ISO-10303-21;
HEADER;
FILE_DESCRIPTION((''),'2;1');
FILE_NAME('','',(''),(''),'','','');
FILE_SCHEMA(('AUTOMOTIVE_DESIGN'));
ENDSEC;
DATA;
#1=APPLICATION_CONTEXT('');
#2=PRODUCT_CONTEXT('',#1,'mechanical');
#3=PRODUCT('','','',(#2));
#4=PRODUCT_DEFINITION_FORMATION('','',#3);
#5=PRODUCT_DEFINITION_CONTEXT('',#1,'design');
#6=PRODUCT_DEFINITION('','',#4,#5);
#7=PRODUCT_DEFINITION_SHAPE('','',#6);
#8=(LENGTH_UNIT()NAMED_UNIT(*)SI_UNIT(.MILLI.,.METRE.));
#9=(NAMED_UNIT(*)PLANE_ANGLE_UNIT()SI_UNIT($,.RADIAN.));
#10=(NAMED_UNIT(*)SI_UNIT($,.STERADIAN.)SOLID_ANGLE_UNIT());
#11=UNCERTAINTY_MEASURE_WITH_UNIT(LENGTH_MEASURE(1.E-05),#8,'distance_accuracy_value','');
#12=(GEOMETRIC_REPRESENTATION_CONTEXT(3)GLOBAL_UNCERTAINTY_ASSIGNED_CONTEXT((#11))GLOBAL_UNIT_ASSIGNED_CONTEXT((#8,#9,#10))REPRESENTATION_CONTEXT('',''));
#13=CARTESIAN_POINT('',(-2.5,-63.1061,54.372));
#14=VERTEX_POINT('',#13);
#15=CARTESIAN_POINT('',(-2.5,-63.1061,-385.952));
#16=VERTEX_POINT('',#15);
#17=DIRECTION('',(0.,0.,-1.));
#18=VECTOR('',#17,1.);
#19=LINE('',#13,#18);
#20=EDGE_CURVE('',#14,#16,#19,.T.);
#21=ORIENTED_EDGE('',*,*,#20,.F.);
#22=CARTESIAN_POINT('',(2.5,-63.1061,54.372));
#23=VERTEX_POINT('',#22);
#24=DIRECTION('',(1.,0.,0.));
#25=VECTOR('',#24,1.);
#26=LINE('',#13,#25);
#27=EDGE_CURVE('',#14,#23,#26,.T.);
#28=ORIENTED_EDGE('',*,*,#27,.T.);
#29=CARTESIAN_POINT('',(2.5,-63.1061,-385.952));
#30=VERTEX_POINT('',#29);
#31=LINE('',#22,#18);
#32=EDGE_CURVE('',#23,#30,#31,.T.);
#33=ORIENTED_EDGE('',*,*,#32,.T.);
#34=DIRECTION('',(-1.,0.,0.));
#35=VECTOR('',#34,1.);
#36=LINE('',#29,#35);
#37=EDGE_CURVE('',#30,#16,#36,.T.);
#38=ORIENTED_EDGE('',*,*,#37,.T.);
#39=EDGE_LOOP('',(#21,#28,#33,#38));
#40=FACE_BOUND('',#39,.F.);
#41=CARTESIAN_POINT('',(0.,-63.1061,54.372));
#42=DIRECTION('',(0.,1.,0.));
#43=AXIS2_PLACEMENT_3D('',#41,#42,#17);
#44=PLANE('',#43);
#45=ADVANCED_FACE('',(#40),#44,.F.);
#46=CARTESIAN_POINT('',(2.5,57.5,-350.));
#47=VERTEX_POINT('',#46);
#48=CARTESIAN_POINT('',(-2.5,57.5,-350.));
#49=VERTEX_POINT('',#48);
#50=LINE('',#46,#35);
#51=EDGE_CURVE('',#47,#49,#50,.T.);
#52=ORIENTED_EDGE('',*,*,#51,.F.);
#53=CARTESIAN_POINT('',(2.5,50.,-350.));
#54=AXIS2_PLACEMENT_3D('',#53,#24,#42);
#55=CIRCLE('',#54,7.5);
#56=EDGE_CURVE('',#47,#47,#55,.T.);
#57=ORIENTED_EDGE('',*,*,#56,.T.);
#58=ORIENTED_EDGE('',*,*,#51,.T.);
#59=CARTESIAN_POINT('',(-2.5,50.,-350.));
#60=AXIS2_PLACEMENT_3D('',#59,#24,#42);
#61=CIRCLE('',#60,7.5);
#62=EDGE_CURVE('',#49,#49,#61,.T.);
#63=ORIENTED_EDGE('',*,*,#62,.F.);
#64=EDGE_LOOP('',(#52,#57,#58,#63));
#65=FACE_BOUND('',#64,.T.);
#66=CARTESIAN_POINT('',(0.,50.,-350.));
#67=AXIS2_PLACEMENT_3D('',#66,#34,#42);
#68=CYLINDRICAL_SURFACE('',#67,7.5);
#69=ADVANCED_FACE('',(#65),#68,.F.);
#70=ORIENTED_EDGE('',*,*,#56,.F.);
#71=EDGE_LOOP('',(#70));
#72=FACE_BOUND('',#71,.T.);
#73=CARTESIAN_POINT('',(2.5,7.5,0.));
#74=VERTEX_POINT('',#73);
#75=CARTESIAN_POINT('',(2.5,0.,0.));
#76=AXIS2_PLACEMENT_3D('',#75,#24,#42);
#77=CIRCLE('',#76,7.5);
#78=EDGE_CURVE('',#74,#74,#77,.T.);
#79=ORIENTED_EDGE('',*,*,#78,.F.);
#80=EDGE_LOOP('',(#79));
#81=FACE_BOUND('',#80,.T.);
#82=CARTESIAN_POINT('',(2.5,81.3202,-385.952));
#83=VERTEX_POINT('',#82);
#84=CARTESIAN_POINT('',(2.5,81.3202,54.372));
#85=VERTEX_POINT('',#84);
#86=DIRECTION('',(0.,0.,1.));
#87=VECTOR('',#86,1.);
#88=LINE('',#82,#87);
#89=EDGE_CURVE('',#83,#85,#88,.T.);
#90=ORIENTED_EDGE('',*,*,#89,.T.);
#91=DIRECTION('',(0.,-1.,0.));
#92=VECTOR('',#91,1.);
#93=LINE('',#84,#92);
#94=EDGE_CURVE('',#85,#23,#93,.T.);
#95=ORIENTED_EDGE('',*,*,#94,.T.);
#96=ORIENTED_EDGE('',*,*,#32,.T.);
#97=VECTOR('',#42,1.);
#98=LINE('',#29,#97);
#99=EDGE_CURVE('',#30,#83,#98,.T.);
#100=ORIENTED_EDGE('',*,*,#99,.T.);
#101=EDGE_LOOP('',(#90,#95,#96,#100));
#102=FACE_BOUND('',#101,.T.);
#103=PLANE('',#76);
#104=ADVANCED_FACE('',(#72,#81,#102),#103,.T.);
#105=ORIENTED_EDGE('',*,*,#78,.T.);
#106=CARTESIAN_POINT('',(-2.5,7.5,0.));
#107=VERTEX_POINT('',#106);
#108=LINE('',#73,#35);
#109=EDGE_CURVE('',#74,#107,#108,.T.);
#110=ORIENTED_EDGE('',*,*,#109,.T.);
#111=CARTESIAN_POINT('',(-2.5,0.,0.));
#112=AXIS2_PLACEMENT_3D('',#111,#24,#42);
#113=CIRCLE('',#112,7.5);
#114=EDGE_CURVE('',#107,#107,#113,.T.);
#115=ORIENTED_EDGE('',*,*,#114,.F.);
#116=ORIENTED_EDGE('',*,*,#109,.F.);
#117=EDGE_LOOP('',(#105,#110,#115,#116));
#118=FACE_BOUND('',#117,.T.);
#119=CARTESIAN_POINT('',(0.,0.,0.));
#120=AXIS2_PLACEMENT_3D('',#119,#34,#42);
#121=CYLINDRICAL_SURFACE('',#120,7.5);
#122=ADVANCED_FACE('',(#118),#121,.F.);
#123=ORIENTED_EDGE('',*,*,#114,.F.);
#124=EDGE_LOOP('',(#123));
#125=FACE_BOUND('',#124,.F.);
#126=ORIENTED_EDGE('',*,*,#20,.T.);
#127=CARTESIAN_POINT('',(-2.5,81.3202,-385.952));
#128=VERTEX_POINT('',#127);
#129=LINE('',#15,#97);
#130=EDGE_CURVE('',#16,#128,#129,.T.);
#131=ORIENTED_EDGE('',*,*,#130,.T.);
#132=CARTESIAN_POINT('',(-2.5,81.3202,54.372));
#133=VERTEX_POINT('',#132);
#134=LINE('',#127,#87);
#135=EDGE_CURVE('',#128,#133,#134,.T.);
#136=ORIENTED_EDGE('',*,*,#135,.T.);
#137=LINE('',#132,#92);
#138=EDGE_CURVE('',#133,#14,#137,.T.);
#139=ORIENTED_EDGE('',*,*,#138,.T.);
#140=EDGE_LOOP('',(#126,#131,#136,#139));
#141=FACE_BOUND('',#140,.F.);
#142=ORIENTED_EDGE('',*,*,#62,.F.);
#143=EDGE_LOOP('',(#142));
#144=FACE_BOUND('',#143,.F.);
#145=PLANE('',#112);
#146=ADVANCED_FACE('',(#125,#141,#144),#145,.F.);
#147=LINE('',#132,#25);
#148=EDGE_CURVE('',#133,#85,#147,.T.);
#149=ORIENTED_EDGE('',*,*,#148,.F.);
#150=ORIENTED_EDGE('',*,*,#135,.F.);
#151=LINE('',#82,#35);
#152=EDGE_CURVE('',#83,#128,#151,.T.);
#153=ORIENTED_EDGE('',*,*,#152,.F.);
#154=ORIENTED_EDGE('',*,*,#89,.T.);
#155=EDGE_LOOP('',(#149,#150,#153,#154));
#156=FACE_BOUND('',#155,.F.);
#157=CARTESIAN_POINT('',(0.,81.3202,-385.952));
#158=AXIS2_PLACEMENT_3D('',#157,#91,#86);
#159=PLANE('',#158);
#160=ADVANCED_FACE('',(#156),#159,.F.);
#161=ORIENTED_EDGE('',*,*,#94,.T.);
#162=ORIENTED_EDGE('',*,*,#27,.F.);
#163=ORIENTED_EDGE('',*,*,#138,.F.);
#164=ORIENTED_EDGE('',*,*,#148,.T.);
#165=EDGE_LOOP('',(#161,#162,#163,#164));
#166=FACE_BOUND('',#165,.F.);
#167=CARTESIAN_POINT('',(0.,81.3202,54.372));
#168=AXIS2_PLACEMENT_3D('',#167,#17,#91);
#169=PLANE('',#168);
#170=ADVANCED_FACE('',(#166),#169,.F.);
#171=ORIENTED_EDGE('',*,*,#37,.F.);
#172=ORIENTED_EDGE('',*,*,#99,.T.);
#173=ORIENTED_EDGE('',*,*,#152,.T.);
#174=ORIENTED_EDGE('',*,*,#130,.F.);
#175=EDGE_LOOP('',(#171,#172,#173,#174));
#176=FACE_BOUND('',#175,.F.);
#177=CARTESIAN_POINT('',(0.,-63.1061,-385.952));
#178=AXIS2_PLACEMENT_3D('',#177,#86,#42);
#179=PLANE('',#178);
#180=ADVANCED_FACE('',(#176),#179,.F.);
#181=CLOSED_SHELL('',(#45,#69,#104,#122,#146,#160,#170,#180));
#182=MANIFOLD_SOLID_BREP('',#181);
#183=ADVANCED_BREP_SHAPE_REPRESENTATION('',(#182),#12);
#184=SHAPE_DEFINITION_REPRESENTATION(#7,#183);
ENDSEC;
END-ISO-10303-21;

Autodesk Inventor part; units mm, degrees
ref_plane "YZ Plane" through (0, 0, 0) normal (1, 0, 0) x (0, 1, 0)
ref_plane "XZ Plane" through (0, 0, 0) normal (0, 1, 0) x (-1, 0, 0)
ref_plane "XY Plane" through (0, 0, 0) normal (0, 0, 1) x (1, 0, 0)
sketch "スケッチ1" plane through (0, 0, 0) normal (1, 0, 0) x (0, 1, 0)
  circle A0 centre (0, 0) radius 7.5
  circle A1 centre (50, -350) radius 7.5
  line L0 (81.3202, 54.372) -> (-63.1061, 54.372)
  line L1 (-63.1061, 54.372) -> (-63.1061, -385.952)
  line L2 (-63.1061, -385.952) -> (81.3202, -385.952)
  line L3 (81.3202, -385.952) -> (81.3202, 54.372)
  dimension "d0" = 50
  dimension "d1" = 350
  dimension "d2" = 15
  dimension "d3" = 15
extrude "押し出し1" add sketch "スケッチ1" along normal mid plane 5
properties part number "stay" material "鉄、可鍛鉄"
